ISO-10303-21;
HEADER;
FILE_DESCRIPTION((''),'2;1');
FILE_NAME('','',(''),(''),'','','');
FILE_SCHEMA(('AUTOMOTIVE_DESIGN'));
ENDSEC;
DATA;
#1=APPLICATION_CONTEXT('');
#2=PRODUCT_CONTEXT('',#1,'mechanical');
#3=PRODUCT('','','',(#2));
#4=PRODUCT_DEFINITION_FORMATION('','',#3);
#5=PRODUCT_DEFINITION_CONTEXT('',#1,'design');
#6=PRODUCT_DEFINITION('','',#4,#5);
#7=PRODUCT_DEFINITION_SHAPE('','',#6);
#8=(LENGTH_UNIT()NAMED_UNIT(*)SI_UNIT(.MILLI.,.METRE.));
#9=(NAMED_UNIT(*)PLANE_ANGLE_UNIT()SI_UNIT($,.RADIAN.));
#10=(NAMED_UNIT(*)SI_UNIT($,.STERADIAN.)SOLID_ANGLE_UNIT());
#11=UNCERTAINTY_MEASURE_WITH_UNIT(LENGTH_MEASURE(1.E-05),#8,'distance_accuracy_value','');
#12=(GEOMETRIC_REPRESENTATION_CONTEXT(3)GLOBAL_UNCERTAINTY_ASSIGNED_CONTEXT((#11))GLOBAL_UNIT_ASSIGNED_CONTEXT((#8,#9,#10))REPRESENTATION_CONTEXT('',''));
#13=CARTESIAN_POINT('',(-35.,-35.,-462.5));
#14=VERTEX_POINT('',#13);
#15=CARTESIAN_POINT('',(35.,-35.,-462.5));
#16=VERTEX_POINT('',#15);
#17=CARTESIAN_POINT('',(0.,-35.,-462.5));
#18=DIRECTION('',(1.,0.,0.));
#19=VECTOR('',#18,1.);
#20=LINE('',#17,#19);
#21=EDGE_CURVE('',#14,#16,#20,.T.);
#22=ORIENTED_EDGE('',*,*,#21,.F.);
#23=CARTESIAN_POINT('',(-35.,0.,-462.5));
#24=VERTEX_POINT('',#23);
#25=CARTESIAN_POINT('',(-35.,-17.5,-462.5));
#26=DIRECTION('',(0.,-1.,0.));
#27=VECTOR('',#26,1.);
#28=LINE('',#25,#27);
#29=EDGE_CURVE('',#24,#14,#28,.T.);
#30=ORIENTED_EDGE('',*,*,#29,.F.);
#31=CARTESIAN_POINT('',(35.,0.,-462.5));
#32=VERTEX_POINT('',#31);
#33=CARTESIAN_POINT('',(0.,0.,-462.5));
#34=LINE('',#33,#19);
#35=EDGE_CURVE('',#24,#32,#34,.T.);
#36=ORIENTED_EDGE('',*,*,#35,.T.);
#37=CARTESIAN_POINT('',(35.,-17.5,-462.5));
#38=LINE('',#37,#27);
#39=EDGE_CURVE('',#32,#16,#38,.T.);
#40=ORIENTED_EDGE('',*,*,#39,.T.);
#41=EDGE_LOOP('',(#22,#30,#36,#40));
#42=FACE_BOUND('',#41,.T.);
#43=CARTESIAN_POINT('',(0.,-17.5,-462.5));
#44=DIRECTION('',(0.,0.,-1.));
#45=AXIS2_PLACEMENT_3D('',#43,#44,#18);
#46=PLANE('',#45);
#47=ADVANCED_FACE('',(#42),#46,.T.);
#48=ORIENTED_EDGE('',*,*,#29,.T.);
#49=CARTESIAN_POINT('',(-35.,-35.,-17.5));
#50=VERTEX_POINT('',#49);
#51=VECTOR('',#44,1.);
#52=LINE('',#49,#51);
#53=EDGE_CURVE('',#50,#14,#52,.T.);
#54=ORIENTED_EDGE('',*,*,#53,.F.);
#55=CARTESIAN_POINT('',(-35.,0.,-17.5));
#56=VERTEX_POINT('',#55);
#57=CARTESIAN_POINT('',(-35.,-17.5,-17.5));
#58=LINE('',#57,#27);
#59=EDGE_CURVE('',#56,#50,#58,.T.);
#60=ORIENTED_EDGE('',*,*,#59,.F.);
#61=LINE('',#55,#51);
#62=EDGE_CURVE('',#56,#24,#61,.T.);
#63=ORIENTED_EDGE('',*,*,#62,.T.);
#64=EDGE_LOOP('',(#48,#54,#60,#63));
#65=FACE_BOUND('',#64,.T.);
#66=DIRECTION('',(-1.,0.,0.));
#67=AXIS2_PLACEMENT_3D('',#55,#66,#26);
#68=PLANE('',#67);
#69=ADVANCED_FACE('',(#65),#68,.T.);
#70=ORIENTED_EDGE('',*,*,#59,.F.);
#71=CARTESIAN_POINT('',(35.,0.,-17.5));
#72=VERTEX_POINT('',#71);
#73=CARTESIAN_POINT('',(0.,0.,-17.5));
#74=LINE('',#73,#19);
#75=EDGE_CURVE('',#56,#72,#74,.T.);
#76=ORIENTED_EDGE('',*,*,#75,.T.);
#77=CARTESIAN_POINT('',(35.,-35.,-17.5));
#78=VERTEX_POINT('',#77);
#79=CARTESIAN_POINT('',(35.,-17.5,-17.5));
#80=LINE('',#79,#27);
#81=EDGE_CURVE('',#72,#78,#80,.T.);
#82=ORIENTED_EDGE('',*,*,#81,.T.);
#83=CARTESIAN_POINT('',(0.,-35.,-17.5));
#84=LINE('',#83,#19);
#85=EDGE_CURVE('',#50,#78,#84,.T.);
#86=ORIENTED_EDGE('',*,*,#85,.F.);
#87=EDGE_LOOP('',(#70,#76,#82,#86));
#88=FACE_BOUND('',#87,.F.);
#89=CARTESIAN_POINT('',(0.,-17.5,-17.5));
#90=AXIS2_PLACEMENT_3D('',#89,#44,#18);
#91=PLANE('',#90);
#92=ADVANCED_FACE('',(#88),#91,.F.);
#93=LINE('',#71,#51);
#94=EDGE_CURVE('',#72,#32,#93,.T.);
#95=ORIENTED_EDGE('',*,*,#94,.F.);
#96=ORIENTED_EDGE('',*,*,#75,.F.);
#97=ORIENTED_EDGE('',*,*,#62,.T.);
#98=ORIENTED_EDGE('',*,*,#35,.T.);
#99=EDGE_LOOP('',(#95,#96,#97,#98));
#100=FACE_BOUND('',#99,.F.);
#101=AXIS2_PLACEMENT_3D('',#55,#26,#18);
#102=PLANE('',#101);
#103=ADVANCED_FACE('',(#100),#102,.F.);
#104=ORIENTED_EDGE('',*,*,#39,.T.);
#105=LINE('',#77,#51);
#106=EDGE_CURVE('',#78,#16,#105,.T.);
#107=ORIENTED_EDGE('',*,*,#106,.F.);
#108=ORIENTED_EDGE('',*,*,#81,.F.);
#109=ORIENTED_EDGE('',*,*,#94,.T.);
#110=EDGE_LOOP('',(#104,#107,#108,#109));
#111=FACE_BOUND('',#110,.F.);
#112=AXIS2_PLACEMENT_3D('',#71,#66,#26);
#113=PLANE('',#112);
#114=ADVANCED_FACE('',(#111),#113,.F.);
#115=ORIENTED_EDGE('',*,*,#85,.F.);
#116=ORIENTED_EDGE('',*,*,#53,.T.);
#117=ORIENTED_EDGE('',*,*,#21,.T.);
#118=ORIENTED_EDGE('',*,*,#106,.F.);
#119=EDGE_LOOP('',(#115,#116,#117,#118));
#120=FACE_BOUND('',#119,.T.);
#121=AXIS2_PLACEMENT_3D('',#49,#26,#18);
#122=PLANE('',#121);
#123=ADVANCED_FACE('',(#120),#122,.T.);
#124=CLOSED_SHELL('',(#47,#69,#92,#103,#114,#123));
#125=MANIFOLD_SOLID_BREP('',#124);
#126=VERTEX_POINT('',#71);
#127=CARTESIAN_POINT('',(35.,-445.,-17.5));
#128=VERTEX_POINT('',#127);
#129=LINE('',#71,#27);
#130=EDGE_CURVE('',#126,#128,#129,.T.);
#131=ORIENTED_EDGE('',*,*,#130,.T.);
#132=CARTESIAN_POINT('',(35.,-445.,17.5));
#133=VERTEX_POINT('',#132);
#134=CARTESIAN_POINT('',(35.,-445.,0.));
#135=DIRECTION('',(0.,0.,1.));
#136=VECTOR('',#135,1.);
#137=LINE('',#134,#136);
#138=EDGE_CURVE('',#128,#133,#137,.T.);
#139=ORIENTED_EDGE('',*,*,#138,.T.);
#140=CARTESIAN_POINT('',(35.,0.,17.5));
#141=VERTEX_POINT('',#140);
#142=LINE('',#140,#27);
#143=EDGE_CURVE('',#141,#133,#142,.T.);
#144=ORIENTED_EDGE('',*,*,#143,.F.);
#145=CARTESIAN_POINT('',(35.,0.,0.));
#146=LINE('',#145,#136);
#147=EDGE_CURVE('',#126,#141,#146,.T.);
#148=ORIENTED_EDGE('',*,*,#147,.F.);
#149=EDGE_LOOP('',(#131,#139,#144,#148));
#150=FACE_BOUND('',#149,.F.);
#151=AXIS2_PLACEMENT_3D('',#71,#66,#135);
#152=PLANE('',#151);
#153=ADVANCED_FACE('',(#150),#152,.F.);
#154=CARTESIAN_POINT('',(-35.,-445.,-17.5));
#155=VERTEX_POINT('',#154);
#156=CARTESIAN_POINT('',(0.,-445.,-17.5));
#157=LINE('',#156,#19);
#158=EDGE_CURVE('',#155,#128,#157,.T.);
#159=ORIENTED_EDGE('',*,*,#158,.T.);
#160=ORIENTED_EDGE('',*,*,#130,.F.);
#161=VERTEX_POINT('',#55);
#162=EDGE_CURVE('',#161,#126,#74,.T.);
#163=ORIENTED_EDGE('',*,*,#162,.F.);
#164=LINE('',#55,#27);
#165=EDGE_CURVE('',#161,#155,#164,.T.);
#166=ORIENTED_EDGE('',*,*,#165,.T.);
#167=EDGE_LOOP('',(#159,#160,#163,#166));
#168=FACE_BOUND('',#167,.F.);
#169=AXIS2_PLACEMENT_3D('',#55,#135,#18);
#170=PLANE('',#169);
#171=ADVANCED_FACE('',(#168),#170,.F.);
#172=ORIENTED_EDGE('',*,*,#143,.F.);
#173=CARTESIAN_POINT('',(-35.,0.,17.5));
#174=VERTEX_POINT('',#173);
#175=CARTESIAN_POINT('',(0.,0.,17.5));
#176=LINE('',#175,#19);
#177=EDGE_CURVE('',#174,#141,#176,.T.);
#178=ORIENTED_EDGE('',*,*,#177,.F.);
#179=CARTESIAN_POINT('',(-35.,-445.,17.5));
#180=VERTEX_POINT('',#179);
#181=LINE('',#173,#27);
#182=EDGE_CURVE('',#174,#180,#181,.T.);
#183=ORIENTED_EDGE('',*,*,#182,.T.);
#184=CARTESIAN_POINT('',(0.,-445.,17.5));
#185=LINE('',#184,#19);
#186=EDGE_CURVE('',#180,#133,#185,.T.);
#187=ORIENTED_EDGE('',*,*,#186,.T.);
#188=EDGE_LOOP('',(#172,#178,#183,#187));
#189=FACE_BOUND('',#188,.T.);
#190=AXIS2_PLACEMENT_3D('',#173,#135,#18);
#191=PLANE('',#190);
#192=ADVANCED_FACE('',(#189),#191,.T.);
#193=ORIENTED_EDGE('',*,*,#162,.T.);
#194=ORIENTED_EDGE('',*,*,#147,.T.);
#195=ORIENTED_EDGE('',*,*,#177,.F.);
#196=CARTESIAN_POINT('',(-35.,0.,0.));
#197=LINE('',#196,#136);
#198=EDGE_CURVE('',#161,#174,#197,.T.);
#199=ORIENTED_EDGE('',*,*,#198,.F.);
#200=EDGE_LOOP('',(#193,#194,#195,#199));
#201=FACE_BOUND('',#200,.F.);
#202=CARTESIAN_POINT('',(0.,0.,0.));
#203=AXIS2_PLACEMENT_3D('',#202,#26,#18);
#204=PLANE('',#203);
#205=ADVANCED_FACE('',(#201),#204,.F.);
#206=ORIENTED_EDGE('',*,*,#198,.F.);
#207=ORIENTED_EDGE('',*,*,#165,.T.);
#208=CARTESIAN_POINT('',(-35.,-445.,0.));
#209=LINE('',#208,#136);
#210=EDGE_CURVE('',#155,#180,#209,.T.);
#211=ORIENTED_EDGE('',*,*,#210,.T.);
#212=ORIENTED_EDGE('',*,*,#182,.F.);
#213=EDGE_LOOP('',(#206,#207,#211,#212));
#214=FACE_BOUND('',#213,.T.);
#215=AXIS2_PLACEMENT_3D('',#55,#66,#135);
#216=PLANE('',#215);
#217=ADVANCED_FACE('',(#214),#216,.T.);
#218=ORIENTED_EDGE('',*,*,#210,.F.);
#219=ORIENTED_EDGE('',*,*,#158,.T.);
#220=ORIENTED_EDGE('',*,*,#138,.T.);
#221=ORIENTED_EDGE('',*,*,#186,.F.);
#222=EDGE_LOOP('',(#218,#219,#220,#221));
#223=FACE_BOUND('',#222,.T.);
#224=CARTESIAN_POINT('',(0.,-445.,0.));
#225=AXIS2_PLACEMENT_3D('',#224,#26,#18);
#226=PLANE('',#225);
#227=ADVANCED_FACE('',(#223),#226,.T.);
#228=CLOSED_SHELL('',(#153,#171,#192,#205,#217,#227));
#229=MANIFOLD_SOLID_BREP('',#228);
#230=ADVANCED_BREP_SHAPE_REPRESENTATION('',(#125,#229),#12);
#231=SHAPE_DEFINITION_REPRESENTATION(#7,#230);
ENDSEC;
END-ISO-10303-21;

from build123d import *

# Parameters (mm, degrees)
F0_W     = 70
F0_H     = 35
F1_DEPTH = 445
F2_W     = 70
F2_H     = 35
F3_DEPTH = 445


with BuildPart() as f1:
    # F0 (on Front) → F1 (new body)
    with BuildSketch(Plane.XZ):
        Rectangle(F0_W, F0_H)
    extrude(amount=F1_DEPTH)


with BuildPart() as f3:
    # F2 (on face) → F3 (new body)
    with BuildSketch(Plane(origin=(0, 0, -17.5), x_dir=(1, 0, 0), z_dir=(0, 0, -1))):
        with Locations((0, 17.5)):
            Rectangle(F2_W, F2_H)
    extrude(amount=F3_DEPTH)


solid = Compound([f1.part, f3.part])
